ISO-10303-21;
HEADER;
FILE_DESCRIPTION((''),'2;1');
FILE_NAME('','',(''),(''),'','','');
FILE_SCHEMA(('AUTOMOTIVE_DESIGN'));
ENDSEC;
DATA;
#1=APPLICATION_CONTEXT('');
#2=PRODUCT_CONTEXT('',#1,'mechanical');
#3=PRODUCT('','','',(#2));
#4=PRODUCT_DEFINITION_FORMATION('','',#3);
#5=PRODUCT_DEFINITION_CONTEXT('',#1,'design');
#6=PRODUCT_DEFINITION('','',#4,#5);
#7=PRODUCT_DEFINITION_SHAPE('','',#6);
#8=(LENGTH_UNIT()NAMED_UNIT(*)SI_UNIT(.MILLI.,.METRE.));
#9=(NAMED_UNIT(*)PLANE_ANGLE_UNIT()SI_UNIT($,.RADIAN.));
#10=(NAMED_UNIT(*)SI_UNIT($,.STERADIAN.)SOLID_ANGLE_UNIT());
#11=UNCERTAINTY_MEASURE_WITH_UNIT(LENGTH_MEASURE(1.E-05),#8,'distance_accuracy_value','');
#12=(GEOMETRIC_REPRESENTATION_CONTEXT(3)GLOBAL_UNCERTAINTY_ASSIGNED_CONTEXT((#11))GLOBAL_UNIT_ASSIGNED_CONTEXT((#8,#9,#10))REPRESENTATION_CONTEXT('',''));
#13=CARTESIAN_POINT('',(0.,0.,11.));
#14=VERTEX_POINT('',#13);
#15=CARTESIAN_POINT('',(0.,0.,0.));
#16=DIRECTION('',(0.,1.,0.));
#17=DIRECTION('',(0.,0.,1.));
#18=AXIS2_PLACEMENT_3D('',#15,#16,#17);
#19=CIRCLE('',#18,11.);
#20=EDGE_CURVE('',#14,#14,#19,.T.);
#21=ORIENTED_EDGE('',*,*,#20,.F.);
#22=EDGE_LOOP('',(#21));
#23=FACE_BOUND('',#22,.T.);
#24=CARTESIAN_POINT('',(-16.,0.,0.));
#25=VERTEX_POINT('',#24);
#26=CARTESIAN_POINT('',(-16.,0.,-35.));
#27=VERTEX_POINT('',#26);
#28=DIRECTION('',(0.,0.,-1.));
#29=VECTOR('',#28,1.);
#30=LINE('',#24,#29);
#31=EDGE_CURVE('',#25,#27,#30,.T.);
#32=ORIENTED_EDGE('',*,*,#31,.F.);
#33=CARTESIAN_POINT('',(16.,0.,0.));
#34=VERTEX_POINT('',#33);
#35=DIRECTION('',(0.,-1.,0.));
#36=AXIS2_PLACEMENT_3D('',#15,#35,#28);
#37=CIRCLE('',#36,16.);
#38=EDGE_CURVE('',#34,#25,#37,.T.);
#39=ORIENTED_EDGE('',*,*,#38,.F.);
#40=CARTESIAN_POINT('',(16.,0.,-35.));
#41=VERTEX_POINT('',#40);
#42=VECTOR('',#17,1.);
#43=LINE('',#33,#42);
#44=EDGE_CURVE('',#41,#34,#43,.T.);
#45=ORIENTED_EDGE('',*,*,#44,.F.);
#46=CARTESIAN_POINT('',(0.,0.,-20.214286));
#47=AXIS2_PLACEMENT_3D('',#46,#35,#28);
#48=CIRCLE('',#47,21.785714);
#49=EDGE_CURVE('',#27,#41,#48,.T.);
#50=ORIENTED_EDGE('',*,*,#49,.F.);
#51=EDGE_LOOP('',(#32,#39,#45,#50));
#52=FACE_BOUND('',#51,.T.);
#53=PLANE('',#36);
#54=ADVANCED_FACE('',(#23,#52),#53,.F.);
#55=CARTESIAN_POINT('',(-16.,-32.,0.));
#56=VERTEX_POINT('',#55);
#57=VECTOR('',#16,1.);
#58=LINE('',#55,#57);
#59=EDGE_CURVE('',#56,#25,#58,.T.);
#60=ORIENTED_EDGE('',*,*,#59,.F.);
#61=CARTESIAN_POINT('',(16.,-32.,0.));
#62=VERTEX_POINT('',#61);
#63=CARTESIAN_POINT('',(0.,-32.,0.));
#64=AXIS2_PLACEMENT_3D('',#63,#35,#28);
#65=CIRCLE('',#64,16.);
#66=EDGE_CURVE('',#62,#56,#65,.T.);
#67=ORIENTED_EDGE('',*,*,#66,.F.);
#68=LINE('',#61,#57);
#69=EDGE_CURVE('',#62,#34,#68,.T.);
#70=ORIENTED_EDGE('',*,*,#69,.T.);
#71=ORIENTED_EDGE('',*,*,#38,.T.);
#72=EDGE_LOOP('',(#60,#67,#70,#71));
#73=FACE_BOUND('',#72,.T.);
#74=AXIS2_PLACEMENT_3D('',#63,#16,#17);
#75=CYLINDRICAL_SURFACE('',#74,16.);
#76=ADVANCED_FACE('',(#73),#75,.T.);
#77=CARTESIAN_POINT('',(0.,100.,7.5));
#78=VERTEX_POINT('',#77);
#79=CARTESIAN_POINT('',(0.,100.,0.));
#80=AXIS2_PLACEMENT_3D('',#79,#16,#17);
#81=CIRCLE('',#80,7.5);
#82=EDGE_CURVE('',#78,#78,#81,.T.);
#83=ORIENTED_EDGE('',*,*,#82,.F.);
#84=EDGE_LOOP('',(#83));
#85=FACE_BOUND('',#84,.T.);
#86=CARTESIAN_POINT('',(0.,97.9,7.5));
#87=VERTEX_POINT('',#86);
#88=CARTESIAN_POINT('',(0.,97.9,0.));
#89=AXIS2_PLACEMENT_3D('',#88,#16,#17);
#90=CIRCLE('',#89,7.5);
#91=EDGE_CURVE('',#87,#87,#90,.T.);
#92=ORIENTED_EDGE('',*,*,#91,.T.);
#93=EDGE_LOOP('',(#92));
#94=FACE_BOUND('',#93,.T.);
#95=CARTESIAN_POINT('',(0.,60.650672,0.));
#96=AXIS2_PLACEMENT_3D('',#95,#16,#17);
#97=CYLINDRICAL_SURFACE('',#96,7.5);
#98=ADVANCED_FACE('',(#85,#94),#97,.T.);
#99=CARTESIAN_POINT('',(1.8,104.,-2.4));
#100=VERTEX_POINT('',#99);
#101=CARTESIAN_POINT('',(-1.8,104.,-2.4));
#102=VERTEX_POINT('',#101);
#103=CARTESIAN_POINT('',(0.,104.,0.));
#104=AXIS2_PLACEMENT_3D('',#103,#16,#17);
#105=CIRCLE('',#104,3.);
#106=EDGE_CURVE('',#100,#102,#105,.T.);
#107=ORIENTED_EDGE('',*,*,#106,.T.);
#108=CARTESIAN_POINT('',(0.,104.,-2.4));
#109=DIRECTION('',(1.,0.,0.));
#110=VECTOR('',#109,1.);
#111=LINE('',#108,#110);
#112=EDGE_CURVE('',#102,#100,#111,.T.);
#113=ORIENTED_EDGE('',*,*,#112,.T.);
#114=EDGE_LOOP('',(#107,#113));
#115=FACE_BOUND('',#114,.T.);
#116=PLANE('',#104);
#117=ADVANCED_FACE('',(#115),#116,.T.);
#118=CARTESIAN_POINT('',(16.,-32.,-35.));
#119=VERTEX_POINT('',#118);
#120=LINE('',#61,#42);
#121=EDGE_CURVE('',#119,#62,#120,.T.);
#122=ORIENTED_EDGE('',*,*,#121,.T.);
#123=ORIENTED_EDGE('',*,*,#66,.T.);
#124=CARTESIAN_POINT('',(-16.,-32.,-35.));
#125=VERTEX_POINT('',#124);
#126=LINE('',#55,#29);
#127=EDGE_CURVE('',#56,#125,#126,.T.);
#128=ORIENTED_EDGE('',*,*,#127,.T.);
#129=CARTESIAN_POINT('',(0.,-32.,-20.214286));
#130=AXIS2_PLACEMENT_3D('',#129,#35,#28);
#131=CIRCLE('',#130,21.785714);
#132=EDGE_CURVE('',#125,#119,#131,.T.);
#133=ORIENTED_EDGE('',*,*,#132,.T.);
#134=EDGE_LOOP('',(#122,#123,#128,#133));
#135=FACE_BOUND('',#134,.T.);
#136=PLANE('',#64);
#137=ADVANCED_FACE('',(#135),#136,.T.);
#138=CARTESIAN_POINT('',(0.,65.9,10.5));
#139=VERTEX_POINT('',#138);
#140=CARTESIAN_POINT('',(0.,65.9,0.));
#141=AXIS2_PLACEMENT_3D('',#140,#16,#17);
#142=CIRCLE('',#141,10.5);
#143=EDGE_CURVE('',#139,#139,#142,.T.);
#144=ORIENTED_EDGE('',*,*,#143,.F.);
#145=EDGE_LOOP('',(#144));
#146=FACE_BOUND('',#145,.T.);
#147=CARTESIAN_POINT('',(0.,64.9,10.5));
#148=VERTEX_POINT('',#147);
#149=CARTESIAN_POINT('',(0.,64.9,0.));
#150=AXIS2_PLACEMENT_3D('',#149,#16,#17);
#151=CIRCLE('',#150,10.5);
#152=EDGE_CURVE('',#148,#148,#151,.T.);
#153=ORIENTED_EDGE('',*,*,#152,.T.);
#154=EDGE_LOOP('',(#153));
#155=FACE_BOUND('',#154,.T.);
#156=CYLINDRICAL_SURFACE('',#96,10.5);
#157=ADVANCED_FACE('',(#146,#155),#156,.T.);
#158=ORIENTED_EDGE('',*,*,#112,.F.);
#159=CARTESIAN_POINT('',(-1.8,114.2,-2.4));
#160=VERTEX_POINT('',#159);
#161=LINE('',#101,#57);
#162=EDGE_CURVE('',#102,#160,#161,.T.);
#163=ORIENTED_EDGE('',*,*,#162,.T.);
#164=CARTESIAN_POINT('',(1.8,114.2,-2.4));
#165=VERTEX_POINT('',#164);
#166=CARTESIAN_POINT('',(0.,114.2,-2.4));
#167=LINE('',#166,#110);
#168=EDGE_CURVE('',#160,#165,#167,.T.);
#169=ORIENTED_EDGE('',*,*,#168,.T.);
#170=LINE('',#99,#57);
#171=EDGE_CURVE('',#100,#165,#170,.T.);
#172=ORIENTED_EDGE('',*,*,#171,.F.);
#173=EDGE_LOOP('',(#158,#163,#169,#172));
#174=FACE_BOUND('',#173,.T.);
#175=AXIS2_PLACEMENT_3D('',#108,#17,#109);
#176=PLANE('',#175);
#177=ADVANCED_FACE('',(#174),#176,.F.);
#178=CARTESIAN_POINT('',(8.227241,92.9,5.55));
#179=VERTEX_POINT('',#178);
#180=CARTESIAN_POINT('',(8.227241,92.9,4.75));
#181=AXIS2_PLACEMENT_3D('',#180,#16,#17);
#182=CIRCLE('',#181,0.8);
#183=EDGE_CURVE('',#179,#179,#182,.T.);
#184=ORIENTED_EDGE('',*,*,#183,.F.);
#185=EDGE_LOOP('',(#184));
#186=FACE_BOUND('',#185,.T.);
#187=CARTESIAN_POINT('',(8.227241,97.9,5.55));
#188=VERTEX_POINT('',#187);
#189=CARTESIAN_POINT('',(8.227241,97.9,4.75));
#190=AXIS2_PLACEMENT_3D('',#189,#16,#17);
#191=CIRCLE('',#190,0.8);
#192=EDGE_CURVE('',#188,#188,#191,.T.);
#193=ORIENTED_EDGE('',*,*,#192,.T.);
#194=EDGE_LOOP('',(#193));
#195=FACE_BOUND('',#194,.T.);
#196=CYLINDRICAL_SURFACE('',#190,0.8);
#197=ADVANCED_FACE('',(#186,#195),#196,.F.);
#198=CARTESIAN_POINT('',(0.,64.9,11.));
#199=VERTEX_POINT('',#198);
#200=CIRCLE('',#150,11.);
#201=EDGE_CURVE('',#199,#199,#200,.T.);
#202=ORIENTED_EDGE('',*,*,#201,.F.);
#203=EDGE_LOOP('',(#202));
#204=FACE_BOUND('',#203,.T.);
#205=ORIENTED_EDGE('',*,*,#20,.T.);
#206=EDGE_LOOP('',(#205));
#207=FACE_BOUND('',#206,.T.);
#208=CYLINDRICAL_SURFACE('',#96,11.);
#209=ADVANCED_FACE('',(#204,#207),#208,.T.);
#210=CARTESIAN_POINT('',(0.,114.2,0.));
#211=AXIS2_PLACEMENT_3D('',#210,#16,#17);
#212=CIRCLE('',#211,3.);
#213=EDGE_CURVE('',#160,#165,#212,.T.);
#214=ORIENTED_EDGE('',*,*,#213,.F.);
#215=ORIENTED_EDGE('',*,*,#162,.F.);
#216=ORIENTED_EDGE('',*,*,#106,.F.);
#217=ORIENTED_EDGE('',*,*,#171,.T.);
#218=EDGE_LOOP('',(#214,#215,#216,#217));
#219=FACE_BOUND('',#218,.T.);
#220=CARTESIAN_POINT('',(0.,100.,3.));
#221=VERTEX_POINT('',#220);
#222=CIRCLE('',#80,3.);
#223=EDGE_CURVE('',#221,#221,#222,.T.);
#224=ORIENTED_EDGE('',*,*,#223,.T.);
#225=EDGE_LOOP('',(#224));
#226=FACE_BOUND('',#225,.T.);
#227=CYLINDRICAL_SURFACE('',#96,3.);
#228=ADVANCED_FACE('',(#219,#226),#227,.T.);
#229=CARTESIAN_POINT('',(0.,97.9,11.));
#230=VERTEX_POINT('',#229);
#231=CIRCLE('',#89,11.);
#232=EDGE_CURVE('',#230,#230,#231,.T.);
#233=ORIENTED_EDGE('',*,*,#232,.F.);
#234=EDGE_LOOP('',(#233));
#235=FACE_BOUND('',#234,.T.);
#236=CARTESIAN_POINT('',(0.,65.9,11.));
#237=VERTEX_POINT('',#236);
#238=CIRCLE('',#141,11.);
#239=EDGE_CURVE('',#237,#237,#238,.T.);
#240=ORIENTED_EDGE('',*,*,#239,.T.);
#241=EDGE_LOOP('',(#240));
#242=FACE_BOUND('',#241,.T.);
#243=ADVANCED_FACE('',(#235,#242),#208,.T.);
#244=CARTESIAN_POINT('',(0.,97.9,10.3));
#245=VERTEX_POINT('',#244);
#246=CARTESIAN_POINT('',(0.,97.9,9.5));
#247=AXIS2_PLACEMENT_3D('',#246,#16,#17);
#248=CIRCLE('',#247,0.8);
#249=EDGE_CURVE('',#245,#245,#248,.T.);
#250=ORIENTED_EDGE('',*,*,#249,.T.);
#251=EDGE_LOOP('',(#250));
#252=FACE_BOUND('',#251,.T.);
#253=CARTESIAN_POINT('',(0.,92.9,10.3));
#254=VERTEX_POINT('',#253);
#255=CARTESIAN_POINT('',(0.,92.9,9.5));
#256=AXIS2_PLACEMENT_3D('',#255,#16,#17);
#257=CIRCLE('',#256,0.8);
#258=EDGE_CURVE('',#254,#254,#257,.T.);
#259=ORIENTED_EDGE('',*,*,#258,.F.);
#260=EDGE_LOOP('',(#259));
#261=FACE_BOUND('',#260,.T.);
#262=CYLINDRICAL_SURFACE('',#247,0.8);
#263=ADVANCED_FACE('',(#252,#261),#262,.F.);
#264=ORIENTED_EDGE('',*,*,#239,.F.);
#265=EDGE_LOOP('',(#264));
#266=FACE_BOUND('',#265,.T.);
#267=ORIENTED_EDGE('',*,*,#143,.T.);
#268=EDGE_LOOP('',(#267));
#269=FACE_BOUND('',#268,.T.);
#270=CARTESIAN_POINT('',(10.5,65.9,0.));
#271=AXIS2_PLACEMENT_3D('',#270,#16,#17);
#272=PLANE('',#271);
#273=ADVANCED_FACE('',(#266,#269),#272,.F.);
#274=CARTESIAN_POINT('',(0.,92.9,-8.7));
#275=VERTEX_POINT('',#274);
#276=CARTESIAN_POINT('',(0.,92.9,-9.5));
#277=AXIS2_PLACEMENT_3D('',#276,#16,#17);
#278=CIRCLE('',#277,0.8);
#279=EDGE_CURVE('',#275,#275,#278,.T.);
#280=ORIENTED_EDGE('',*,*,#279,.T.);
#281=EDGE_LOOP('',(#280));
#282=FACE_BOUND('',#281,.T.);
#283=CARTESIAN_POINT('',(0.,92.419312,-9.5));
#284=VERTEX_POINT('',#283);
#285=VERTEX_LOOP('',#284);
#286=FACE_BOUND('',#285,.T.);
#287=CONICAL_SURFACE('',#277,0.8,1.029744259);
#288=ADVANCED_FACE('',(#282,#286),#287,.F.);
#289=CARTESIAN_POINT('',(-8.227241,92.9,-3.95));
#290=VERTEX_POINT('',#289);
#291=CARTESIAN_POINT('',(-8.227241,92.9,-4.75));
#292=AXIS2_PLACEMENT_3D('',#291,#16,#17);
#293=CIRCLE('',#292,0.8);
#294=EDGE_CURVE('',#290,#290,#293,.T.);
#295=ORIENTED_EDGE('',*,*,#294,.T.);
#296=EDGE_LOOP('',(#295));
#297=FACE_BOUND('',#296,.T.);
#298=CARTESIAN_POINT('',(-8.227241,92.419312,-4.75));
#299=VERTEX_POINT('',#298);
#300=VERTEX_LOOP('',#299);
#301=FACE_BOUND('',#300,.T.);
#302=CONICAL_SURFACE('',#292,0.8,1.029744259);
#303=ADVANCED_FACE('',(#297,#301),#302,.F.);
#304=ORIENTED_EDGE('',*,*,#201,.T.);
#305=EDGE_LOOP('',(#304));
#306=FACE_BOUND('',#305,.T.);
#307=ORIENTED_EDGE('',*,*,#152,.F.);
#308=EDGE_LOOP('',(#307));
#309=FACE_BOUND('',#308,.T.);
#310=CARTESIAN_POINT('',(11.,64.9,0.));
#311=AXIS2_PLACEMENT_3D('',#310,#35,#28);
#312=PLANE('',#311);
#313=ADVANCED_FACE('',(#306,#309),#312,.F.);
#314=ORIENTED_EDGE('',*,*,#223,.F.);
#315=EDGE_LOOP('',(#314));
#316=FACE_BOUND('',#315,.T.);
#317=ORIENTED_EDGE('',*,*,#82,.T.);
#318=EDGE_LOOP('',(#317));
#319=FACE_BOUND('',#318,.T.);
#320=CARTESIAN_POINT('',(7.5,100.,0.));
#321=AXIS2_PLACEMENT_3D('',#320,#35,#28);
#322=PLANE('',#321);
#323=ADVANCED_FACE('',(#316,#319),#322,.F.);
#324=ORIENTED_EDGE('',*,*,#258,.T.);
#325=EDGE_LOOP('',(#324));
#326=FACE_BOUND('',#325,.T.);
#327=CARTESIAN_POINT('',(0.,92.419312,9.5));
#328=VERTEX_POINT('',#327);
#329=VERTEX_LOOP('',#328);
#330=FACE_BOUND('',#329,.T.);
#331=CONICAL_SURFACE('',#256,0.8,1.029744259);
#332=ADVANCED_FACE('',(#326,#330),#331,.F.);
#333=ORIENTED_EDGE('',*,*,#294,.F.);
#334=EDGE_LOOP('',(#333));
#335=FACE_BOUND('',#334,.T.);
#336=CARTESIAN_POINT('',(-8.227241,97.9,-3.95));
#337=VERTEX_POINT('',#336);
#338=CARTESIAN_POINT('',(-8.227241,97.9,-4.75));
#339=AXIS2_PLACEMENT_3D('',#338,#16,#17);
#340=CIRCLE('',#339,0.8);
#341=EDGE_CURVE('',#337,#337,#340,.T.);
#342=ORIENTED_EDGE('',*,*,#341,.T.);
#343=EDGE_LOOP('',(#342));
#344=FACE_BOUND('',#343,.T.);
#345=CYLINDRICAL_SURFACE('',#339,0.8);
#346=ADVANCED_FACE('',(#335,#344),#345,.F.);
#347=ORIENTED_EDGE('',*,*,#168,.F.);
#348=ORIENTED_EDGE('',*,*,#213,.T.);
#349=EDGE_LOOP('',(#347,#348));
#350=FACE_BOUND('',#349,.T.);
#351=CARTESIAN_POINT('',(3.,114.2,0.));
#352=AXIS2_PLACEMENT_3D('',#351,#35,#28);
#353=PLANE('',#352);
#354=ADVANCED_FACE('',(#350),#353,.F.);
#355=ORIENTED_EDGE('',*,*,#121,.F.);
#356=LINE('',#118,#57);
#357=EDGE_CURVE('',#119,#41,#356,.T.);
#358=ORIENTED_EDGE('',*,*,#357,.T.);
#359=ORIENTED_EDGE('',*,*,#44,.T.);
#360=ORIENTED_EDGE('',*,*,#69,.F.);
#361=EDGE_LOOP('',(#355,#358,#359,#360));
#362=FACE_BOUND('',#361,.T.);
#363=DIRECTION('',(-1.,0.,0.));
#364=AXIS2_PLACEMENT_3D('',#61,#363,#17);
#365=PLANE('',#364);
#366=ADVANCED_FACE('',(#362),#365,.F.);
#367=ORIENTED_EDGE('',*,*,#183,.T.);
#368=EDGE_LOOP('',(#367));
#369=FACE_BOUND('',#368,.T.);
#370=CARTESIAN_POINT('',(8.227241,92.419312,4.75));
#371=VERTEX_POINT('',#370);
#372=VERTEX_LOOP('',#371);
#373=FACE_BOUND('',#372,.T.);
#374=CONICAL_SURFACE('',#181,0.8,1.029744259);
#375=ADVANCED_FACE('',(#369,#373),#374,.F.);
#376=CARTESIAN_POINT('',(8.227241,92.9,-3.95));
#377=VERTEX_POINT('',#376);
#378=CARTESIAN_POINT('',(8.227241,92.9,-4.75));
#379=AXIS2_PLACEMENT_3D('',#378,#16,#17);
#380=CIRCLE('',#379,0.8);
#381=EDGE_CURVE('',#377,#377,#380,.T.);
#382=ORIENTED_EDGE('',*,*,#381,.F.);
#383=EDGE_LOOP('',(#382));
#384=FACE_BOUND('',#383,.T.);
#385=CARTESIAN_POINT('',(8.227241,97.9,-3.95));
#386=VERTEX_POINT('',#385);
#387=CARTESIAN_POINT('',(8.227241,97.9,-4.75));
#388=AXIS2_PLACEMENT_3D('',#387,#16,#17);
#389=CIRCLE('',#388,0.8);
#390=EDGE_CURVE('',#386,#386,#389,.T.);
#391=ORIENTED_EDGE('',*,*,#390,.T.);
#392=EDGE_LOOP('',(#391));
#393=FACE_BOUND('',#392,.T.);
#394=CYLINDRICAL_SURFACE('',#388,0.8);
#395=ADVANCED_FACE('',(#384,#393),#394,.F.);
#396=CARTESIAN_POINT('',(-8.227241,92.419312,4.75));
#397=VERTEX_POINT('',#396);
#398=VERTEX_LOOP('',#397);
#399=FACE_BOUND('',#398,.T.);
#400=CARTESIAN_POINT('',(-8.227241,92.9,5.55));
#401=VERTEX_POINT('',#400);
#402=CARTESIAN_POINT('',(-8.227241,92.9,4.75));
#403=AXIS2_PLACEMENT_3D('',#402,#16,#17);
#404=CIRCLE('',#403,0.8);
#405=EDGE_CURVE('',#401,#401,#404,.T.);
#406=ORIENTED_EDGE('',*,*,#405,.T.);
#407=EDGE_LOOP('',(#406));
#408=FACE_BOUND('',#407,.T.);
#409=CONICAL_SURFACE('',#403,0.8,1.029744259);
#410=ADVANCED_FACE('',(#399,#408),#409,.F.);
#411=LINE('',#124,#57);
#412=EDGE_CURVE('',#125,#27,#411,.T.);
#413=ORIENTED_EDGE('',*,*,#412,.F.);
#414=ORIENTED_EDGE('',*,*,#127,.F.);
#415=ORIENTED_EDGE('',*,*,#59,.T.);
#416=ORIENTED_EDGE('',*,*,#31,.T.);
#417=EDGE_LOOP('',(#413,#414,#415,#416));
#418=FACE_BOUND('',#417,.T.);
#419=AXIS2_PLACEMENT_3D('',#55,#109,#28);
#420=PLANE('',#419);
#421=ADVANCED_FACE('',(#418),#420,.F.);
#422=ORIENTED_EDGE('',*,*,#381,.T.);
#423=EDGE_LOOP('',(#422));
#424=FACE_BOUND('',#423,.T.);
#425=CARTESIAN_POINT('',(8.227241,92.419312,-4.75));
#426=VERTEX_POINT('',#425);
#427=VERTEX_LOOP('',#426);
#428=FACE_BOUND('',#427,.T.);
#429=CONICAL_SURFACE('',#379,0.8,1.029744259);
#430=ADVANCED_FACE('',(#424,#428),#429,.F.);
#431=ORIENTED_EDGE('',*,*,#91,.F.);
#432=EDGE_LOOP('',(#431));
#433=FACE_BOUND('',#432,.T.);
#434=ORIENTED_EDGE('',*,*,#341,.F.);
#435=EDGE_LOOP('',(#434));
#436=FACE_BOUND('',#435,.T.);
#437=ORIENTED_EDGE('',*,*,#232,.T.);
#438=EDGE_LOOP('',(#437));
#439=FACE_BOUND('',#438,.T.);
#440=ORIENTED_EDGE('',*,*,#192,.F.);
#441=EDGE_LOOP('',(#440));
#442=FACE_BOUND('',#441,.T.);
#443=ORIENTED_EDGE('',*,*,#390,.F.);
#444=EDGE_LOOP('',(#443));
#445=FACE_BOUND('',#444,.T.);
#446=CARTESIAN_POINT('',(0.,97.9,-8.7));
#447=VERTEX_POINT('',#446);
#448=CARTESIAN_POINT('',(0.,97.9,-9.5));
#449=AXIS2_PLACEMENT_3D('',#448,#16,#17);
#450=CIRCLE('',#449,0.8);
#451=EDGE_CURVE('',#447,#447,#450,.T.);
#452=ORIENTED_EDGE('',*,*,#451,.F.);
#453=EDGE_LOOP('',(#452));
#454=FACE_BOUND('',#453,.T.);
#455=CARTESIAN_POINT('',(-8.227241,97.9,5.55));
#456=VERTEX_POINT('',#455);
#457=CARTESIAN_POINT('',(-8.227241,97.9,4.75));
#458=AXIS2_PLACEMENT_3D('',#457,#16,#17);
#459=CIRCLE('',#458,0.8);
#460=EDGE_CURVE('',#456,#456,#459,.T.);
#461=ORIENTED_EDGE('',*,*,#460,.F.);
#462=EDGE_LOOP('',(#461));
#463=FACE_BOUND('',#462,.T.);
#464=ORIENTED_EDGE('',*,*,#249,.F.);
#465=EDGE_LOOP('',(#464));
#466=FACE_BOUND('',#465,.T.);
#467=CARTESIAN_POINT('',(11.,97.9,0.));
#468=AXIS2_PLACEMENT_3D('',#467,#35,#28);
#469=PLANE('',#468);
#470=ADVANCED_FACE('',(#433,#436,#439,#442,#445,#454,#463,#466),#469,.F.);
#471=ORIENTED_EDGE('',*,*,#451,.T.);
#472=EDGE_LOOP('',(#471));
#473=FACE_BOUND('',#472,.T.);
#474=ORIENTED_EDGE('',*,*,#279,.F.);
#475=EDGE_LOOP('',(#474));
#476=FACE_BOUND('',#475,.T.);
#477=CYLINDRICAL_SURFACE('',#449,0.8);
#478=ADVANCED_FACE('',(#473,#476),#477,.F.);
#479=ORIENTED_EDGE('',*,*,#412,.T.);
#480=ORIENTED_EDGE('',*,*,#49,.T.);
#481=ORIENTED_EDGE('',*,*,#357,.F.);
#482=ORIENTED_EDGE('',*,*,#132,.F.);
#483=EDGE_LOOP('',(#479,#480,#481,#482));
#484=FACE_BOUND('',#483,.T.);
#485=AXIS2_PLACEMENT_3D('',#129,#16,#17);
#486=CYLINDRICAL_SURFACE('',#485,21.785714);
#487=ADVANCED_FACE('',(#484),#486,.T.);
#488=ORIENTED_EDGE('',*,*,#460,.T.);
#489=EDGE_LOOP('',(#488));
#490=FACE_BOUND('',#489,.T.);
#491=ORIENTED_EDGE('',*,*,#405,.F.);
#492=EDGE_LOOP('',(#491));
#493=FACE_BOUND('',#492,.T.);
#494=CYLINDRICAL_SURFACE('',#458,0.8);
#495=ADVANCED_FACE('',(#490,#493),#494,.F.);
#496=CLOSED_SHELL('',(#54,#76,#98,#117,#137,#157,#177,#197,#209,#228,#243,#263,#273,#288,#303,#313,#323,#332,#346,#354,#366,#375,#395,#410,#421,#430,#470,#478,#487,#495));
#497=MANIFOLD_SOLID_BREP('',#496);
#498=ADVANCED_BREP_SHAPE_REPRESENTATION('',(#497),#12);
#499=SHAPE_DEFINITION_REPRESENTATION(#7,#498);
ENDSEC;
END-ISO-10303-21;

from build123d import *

# Parameters (mm, degrees)
CUT_EXTRUDE_1_DEPTH    = 10.2
EXTRUDE_1_DEPTH        = 32
HOLE_WIZARD_M2_1_D     = 1.6
HOLE_WIZARD_M2_1_DEPTH = 5
HOLE_WIZARD_M2_1_TIP   = 0.480688495


with BuildPart() as part:
    # 草图1 → 旋转1 (revolve)
    with BuildSketch(Plane.XY, mode=Mode.PRIVATE) as revolve_1_sk:
        Polygon((0, 0), (11, 0), (11, 64.9), (10.5, 64.9), (10.5, 65.9), (11, 65.9), (11, 97.9), (7.5, 97.9), (7.5, 100), (3, 100), (3, 114.2), (0, 114.2), align=None)
    revolve(revolve_1_sk.sketch.rotate(Axis((0, 60.650671984, 0), (0, -1, 0)), 90), axis=Axis((0, 60.650671984, 0), (0, -1, 0)))

    # 草图2 → 切除-拉伸1 (cut)
    with BuildSketch(Plane(origin=(0, 114.2, 0), x_dir=(1, 0, 0), z_dir=(0, 1, 0))):
        Polygon((-48.862110032, 2.4), (-1.8, 2.4), (1.8, 2.4), (48.862110032, 2.4), (48.862110032, 96.524220063), (-48.862110032, 96.524220063), align=None)
    extrude(amount=-CUT_EXTRUDE_1_DEPTH, mode=Mode.SUBTRACT)

    # 草图3 → 凸台-拉伸1 (add)
    with BuildSketch(Plane.XZ):
        with BuildLine():
            Line((-16, 0), (-16, -35))
            ThreePointArc((-16, -35), (0, -42), (16, -35))
            Line((16, -35), (16, 0))
            ThreePointArc((16, 0), (0, 16), (-16, 0))
        make_face()
    extrude(amount=EXTRUDE_1_DEPTH)

    # M2 螺纹孔1
    with Locations(Plane(origin=(0, 97.9, 0), x_dir=(1, 0, 0), z_dir=(0, 1, 0))):
        with Locations((0, 9.5), (-8.227241336, 4.75), (-8.227241336, -4.75), (0, -9.5), (8.227241336, -4.75), (8.227241336, 4.75)):
            Hole(HOLE_WIZARD_M2_1_D / 2, depth=HOLE_WIZARD_M2_1_DEPTH)
            with Locations((0, 0, -(HOLE_WIZARD_M2_1_DEPTH + HOLE_WIZARD_M2_1_TIP / 2))):  # 118° drill point
                Cone(0, HOLE_WIZARD_M2_1_D / 2, HOLE_WIZARD_M2_1_TIP, mode=Mode.SUBTRACT)


solid = part.part
